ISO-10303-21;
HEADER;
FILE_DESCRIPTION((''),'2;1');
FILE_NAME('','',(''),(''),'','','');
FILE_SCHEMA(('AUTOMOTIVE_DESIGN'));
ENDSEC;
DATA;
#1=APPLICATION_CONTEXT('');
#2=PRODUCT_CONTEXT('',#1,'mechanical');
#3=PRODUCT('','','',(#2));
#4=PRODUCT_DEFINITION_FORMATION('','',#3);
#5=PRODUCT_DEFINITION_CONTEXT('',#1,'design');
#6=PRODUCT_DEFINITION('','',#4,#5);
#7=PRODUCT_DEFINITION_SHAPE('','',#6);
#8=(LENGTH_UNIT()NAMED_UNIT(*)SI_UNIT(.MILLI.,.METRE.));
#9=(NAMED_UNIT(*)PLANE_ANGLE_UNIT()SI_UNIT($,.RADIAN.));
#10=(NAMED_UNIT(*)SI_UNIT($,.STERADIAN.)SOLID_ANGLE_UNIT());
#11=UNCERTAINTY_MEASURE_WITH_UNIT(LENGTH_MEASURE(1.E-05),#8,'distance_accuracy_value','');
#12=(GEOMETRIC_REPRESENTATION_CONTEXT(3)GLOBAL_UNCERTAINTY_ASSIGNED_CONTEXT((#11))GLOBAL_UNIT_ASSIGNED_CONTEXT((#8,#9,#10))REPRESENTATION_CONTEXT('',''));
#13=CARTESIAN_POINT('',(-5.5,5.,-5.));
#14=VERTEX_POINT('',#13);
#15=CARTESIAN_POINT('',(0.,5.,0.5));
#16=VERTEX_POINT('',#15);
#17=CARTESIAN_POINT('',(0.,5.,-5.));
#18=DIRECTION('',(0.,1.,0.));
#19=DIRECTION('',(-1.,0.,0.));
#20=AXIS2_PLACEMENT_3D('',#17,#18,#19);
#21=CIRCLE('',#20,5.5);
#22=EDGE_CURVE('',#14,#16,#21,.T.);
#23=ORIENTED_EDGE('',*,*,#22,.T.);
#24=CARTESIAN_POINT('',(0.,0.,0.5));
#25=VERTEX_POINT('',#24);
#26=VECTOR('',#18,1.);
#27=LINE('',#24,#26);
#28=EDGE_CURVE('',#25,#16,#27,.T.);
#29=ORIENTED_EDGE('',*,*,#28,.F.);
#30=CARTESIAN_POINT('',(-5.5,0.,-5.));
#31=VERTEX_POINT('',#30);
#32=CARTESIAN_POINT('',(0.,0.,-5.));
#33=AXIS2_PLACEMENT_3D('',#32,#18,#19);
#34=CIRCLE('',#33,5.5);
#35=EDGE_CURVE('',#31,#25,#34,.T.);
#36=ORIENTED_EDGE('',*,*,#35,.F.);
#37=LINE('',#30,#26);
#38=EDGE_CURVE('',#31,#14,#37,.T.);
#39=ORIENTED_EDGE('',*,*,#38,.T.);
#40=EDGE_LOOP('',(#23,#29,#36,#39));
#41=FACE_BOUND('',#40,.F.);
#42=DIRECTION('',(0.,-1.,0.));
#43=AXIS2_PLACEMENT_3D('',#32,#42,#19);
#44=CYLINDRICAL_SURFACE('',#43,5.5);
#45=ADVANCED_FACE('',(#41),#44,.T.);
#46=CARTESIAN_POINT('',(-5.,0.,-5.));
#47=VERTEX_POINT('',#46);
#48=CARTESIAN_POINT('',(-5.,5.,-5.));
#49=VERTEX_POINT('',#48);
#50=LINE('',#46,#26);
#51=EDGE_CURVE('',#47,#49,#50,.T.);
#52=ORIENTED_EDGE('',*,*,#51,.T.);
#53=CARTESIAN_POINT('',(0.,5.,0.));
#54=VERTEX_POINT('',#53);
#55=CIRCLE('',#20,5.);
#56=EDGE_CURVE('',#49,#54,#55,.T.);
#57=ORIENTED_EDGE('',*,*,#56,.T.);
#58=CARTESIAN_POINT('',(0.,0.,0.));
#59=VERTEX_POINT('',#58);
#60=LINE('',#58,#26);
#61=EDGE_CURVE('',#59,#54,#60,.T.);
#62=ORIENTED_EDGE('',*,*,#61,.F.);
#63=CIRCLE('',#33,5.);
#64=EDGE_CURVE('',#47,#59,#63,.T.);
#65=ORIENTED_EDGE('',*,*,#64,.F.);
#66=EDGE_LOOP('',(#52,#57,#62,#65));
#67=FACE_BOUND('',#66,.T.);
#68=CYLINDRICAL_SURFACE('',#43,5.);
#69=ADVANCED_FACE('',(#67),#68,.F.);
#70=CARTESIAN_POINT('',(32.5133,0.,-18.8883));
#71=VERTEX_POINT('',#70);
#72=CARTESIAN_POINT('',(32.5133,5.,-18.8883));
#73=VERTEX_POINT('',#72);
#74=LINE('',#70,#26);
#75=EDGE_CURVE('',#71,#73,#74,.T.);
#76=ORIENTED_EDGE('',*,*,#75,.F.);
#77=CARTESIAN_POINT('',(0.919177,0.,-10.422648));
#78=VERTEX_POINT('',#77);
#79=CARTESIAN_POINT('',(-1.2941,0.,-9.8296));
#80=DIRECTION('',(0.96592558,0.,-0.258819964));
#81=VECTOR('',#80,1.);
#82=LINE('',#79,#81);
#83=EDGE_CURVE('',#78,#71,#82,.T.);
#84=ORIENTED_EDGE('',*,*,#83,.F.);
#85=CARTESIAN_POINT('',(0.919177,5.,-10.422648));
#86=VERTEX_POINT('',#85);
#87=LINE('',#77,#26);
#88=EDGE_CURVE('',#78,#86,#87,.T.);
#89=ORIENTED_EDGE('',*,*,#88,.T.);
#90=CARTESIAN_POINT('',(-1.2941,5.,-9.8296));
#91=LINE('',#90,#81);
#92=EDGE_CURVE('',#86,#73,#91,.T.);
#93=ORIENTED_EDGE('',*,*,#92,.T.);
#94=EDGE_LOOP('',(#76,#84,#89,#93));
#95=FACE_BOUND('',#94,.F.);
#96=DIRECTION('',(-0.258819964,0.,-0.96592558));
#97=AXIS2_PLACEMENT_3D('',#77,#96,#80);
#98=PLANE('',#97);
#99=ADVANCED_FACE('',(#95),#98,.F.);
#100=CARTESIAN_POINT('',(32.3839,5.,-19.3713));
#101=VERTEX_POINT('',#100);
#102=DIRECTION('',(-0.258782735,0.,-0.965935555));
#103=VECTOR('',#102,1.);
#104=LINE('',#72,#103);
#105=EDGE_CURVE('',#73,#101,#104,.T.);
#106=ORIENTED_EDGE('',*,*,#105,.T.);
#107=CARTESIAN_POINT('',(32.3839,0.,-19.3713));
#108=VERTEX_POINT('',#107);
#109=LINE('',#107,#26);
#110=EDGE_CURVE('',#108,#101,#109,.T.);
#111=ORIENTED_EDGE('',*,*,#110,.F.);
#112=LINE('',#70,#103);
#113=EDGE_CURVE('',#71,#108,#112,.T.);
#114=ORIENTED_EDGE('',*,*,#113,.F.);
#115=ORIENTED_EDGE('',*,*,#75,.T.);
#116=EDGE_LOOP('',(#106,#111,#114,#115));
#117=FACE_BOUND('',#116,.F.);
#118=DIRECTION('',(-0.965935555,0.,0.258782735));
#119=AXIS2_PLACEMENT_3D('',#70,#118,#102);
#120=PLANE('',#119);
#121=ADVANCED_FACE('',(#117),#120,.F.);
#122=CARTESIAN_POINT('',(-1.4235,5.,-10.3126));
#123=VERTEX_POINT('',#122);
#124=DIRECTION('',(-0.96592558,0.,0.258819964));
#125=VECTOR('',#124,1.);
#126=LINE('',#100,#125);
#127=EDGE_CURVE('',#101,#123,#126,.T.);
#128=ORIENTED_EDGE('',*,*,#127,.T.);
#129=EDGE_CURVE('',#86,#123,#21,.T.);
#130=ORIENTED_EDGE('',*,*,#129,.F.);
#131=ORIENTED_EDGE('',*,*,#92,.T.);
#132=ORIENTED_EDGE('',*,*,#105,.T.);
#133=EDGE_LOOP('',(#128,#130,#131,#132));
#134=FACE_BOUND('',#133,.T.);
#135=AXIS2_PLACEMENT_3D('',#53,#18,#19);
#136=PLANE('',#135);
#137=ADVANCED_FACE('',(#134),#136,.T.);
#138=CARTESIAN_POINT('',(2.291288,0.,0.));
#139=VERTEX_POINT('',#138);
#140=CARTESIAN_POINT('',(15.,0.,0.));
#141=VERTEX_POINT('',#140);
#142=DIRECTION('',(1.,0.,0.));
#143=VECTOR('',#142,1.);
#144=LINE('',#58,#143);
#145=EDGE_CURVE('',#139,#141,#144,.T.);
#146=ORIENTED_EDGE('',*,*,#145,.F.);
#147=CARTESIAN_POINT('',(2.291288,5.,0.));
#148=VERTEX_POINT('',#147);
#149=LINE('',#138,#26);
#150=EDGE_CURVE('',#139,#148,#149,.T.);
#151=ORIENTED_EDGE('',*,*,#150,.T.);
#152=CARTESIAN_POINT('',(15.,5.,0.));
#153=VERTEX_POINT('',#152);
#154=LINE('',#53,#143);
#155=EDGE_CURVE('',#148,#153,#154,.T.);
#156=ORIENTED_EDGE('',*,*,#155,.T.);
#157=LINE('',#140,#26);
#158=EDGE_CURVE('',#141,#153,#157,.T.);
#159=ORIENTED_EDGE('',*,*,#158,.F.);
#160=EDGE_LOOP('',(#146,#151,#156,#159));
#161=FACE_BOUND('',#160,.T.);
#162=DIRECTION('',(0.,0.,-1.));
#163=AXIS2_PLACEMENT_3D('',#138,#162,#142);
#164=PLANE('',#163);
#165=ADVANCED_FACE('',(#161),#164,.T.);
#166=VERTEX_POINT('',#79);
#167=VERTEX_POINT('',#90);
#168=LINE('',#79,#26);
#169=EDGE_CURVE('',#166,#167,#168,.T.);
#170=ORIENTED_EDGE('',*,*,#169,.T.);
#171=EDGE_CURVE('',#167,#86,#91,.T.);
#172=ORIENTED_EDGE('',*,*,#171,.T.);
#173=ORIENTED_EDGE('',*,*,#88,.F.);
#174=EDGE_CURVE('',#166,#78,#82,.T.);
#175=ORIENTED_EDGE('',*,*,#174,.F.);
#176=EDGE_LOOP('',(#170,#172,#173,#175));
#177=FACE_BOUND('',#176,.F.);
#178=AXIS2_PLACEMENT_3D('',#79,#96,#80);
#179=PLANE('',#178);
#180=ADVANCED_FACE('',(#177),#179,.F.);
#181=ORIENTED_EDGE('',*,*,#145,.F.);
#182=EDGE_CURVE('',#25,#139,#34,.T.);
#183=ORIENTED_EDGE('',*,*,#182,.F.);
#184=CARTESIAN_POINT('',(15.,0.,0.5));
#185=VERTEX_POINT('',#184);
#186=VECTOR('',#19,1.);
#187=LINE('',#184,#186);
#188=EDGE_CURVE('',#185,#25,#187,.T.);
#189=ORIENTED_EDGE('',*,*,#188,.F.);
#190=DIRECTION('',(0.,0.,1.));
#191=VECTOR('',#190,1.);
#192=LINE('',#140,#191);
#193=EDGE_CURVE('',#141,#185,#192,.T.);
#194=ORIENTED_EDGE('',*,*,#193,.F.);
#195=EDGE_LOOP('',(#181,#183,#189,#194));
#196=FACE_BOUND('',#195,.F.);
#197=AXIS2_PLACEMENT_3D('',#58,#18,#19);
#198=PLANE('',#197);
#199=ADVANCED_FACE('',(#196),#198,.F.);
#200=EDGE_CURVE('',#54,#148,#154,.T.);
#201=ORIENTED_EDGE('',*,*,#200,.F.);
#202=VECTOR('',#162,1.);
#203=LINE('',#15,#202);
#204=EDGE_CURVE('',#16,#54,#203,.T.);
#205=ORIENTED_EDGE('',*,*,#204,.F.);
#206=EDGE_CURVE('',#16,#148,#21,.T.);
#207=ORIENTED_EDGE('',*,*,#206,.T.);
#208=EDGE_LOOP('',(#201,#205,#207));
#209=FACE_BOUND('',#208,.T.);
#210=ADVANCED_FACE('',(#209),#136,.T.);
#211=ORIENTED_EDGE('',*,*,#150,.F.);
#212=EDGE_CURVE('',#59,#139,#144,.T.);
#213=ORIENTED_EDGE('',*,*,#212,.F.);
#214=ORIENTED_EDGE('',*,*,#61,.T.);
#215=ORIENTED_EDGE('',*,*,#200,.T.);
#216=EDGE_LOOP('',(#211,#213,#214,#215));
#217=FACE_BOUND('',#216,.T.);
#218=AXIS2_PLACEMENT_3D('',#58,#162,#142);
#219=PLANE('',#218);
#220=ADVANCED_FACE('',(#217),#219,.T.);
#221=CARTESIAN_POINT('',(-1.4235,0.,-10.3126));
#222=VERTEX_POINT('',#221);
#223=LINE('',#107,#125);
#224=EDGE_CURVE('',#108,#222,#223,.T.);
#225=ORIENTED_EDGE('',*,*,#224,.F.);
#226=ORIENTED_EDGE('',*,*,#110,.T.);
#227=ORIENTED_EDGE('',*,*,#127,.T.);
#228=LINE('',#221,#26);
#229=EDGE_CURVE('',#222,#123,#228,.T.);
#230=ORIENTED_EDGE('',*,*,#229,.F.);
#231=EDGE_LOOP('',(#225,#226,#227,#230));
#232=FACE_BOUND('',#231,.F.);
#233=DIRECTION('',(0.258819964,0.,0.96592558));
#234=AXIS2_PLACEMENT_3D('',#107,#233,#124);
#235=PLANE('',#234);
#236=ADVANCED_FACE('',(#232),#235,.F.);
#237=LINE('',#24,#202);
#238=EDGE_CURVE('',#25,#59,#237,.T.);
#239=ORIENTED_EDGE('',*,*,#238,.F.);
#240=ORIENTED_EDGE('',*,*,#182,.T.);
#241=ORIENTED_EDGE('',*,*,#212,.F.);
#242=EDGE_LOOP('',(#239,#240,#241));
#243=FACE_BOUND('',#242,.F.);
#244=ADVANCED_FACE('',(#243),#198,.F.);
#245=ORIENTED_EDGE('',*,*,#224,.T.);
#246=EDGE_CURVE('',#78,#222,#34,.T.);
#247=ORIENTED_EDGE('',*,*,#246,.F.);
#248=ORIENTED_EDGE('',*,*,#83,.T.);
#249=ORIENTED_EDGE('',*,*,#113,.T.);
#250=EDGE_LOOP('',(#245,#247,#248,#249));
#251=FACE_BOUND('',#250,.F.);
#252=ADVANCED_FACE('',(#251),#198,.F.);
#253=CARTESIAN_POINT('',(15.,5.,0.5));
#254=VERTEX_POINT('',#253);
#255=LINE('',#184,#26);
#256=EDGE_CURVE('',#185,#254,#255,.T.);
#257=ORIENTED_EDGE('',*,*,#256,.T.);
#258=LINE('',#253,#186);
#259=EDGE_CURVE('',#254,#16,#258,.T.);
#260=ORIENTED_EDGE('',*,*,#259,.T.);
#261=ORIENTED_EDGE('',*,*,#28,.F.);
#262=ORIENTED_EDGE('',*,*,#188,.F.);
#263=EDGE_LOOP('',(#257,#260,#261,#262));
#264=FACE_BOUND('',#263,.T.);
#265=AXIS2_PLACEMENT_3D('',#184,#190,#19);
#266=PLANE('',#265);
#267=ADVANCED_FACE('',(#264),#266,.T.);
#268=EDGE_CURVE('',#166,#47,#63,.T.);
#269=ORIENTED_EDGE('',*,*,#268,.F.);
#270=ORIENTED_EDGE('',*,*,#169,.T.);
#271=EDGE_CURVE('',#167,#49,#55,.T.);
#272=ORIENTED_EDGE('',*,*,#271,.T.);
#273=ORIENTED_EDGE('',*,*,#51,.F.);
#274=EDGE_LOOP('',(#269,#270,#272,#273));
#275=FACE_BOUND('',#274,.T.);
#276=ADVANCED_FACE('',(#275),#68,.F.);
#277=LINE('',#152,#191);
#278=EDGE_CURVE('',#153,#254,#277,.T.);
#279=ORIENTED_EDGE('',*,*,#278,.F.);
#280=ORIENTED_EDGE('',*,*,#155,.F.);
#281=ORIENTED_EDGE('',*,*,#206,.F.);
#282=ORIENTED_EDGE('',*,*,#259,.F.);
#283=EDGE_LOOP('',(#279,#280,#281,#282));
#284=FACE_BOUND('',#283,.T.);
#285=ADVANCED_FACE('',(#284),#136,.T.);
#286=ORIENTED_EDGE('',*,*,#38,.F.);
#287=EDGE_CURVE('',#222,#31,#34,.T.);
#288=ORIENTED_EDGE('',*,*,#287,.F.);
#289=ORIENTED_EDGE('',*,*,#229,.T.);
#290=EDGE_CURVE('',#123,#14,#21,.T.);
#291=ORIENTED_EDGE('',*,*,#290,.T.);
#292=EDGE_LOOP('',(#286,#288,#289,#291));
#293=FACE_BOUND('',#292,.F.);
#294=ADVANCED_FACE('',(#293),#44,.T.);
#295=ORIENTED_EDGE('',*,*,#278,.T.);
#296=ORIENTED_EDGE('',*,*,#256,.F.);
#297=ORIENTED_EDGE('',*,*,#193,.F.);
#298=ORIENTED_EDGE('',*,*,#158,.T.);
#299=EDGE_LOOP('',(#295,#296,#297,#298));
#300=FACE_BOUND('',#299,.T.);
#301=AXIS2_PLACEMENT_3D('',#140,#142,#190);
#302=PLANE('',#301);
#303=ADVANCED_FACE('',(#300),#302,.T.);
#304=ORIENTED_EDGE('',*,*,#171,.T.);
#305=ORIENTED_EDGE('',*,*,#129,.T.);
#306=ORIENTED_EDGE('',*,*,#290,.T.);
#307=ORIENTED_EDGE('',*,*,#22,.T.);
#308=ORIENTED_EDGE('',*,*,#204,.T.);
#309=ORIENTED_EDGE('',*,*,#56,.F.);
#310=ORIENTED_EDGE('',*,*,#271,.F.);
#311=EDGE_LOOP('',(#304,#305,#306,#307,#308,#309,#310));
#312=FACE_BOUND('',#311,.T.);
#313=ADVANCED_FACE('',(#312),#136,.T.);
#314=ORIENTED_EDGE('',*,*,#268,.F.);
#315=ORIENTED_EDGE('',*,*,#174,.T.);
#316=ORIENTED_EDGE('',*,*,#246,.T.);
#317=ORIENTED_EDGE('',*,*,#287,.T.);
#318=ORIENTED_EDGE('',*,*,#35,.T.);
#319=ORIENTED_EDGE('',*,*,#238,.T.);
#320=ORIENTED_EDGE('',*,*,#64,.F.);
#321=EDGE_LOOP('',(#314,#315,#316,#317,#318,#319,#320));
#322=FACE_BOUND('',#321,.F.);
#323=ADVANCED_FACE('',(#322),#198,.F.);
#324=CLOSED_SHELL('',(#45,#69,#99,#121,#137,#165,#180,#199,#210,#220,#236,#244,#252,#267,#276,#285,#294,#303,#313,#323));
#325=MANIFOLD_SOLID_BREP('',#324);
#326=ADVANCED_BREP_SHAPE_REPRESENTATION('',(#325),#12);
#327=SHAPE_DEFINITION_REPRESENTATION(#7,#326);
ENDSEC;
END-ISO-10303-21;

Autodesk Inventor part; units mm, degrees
ref_plane "YZ Plane" through (0, 0, 0) normal (1, 0, 0) x (0, 1, 0)
ref_plane "XZ Plane" through (0, 0, 0) normal (0, 1, 0) x (-1, 0, 0)
ref_plane "XY Plane" through (0, 0, 0) normal (0, 0, 1) x (1, 0, 0)
sketch "スケッチ1" plane through (0, 0, 0) normal (0, 1, 0) x (-1, 0, 0)
  line L0 (0, 0) -> (-15, 0)
  line L1 (-15, 0) -> (-15, 0.5)
  line L2 (-15, 0.5) -> (0, 0.5)
  line L3 (0, 0.5) -> (0, 0)
  circle A0 centre (0, -5) radius 5
  circle A1 centre (0, -5) radius 5.5
  line L4 (1.2941, -9.8296) -> (-32.5133, -18.8883)
  line L5 (-32.5133, -18.8883) -> (-32.3839, -19.3713)
  line L6 (-32.3839, -19.3713) -> (1.4235, -10.3126)
  point P0 (-0.2935, -9.9914)
  point P1 (-0.9191, -10.4227)
  point P2 (-2.2913, 0)
  dimension "d3" = 10
  dimension "d2" = 11
  dimension "d4" = 15
  dimension "d5" = 35
  dimension "d6" = 15
extrude "押し出し1" add sketch "スケッチ1" along normal blind 5 contours L0 A1 L3 | L3 A1 L4 A0 | L0 L1 L2 A1 | A1 L6 L5 L4
properties part number "bend_sensor"
